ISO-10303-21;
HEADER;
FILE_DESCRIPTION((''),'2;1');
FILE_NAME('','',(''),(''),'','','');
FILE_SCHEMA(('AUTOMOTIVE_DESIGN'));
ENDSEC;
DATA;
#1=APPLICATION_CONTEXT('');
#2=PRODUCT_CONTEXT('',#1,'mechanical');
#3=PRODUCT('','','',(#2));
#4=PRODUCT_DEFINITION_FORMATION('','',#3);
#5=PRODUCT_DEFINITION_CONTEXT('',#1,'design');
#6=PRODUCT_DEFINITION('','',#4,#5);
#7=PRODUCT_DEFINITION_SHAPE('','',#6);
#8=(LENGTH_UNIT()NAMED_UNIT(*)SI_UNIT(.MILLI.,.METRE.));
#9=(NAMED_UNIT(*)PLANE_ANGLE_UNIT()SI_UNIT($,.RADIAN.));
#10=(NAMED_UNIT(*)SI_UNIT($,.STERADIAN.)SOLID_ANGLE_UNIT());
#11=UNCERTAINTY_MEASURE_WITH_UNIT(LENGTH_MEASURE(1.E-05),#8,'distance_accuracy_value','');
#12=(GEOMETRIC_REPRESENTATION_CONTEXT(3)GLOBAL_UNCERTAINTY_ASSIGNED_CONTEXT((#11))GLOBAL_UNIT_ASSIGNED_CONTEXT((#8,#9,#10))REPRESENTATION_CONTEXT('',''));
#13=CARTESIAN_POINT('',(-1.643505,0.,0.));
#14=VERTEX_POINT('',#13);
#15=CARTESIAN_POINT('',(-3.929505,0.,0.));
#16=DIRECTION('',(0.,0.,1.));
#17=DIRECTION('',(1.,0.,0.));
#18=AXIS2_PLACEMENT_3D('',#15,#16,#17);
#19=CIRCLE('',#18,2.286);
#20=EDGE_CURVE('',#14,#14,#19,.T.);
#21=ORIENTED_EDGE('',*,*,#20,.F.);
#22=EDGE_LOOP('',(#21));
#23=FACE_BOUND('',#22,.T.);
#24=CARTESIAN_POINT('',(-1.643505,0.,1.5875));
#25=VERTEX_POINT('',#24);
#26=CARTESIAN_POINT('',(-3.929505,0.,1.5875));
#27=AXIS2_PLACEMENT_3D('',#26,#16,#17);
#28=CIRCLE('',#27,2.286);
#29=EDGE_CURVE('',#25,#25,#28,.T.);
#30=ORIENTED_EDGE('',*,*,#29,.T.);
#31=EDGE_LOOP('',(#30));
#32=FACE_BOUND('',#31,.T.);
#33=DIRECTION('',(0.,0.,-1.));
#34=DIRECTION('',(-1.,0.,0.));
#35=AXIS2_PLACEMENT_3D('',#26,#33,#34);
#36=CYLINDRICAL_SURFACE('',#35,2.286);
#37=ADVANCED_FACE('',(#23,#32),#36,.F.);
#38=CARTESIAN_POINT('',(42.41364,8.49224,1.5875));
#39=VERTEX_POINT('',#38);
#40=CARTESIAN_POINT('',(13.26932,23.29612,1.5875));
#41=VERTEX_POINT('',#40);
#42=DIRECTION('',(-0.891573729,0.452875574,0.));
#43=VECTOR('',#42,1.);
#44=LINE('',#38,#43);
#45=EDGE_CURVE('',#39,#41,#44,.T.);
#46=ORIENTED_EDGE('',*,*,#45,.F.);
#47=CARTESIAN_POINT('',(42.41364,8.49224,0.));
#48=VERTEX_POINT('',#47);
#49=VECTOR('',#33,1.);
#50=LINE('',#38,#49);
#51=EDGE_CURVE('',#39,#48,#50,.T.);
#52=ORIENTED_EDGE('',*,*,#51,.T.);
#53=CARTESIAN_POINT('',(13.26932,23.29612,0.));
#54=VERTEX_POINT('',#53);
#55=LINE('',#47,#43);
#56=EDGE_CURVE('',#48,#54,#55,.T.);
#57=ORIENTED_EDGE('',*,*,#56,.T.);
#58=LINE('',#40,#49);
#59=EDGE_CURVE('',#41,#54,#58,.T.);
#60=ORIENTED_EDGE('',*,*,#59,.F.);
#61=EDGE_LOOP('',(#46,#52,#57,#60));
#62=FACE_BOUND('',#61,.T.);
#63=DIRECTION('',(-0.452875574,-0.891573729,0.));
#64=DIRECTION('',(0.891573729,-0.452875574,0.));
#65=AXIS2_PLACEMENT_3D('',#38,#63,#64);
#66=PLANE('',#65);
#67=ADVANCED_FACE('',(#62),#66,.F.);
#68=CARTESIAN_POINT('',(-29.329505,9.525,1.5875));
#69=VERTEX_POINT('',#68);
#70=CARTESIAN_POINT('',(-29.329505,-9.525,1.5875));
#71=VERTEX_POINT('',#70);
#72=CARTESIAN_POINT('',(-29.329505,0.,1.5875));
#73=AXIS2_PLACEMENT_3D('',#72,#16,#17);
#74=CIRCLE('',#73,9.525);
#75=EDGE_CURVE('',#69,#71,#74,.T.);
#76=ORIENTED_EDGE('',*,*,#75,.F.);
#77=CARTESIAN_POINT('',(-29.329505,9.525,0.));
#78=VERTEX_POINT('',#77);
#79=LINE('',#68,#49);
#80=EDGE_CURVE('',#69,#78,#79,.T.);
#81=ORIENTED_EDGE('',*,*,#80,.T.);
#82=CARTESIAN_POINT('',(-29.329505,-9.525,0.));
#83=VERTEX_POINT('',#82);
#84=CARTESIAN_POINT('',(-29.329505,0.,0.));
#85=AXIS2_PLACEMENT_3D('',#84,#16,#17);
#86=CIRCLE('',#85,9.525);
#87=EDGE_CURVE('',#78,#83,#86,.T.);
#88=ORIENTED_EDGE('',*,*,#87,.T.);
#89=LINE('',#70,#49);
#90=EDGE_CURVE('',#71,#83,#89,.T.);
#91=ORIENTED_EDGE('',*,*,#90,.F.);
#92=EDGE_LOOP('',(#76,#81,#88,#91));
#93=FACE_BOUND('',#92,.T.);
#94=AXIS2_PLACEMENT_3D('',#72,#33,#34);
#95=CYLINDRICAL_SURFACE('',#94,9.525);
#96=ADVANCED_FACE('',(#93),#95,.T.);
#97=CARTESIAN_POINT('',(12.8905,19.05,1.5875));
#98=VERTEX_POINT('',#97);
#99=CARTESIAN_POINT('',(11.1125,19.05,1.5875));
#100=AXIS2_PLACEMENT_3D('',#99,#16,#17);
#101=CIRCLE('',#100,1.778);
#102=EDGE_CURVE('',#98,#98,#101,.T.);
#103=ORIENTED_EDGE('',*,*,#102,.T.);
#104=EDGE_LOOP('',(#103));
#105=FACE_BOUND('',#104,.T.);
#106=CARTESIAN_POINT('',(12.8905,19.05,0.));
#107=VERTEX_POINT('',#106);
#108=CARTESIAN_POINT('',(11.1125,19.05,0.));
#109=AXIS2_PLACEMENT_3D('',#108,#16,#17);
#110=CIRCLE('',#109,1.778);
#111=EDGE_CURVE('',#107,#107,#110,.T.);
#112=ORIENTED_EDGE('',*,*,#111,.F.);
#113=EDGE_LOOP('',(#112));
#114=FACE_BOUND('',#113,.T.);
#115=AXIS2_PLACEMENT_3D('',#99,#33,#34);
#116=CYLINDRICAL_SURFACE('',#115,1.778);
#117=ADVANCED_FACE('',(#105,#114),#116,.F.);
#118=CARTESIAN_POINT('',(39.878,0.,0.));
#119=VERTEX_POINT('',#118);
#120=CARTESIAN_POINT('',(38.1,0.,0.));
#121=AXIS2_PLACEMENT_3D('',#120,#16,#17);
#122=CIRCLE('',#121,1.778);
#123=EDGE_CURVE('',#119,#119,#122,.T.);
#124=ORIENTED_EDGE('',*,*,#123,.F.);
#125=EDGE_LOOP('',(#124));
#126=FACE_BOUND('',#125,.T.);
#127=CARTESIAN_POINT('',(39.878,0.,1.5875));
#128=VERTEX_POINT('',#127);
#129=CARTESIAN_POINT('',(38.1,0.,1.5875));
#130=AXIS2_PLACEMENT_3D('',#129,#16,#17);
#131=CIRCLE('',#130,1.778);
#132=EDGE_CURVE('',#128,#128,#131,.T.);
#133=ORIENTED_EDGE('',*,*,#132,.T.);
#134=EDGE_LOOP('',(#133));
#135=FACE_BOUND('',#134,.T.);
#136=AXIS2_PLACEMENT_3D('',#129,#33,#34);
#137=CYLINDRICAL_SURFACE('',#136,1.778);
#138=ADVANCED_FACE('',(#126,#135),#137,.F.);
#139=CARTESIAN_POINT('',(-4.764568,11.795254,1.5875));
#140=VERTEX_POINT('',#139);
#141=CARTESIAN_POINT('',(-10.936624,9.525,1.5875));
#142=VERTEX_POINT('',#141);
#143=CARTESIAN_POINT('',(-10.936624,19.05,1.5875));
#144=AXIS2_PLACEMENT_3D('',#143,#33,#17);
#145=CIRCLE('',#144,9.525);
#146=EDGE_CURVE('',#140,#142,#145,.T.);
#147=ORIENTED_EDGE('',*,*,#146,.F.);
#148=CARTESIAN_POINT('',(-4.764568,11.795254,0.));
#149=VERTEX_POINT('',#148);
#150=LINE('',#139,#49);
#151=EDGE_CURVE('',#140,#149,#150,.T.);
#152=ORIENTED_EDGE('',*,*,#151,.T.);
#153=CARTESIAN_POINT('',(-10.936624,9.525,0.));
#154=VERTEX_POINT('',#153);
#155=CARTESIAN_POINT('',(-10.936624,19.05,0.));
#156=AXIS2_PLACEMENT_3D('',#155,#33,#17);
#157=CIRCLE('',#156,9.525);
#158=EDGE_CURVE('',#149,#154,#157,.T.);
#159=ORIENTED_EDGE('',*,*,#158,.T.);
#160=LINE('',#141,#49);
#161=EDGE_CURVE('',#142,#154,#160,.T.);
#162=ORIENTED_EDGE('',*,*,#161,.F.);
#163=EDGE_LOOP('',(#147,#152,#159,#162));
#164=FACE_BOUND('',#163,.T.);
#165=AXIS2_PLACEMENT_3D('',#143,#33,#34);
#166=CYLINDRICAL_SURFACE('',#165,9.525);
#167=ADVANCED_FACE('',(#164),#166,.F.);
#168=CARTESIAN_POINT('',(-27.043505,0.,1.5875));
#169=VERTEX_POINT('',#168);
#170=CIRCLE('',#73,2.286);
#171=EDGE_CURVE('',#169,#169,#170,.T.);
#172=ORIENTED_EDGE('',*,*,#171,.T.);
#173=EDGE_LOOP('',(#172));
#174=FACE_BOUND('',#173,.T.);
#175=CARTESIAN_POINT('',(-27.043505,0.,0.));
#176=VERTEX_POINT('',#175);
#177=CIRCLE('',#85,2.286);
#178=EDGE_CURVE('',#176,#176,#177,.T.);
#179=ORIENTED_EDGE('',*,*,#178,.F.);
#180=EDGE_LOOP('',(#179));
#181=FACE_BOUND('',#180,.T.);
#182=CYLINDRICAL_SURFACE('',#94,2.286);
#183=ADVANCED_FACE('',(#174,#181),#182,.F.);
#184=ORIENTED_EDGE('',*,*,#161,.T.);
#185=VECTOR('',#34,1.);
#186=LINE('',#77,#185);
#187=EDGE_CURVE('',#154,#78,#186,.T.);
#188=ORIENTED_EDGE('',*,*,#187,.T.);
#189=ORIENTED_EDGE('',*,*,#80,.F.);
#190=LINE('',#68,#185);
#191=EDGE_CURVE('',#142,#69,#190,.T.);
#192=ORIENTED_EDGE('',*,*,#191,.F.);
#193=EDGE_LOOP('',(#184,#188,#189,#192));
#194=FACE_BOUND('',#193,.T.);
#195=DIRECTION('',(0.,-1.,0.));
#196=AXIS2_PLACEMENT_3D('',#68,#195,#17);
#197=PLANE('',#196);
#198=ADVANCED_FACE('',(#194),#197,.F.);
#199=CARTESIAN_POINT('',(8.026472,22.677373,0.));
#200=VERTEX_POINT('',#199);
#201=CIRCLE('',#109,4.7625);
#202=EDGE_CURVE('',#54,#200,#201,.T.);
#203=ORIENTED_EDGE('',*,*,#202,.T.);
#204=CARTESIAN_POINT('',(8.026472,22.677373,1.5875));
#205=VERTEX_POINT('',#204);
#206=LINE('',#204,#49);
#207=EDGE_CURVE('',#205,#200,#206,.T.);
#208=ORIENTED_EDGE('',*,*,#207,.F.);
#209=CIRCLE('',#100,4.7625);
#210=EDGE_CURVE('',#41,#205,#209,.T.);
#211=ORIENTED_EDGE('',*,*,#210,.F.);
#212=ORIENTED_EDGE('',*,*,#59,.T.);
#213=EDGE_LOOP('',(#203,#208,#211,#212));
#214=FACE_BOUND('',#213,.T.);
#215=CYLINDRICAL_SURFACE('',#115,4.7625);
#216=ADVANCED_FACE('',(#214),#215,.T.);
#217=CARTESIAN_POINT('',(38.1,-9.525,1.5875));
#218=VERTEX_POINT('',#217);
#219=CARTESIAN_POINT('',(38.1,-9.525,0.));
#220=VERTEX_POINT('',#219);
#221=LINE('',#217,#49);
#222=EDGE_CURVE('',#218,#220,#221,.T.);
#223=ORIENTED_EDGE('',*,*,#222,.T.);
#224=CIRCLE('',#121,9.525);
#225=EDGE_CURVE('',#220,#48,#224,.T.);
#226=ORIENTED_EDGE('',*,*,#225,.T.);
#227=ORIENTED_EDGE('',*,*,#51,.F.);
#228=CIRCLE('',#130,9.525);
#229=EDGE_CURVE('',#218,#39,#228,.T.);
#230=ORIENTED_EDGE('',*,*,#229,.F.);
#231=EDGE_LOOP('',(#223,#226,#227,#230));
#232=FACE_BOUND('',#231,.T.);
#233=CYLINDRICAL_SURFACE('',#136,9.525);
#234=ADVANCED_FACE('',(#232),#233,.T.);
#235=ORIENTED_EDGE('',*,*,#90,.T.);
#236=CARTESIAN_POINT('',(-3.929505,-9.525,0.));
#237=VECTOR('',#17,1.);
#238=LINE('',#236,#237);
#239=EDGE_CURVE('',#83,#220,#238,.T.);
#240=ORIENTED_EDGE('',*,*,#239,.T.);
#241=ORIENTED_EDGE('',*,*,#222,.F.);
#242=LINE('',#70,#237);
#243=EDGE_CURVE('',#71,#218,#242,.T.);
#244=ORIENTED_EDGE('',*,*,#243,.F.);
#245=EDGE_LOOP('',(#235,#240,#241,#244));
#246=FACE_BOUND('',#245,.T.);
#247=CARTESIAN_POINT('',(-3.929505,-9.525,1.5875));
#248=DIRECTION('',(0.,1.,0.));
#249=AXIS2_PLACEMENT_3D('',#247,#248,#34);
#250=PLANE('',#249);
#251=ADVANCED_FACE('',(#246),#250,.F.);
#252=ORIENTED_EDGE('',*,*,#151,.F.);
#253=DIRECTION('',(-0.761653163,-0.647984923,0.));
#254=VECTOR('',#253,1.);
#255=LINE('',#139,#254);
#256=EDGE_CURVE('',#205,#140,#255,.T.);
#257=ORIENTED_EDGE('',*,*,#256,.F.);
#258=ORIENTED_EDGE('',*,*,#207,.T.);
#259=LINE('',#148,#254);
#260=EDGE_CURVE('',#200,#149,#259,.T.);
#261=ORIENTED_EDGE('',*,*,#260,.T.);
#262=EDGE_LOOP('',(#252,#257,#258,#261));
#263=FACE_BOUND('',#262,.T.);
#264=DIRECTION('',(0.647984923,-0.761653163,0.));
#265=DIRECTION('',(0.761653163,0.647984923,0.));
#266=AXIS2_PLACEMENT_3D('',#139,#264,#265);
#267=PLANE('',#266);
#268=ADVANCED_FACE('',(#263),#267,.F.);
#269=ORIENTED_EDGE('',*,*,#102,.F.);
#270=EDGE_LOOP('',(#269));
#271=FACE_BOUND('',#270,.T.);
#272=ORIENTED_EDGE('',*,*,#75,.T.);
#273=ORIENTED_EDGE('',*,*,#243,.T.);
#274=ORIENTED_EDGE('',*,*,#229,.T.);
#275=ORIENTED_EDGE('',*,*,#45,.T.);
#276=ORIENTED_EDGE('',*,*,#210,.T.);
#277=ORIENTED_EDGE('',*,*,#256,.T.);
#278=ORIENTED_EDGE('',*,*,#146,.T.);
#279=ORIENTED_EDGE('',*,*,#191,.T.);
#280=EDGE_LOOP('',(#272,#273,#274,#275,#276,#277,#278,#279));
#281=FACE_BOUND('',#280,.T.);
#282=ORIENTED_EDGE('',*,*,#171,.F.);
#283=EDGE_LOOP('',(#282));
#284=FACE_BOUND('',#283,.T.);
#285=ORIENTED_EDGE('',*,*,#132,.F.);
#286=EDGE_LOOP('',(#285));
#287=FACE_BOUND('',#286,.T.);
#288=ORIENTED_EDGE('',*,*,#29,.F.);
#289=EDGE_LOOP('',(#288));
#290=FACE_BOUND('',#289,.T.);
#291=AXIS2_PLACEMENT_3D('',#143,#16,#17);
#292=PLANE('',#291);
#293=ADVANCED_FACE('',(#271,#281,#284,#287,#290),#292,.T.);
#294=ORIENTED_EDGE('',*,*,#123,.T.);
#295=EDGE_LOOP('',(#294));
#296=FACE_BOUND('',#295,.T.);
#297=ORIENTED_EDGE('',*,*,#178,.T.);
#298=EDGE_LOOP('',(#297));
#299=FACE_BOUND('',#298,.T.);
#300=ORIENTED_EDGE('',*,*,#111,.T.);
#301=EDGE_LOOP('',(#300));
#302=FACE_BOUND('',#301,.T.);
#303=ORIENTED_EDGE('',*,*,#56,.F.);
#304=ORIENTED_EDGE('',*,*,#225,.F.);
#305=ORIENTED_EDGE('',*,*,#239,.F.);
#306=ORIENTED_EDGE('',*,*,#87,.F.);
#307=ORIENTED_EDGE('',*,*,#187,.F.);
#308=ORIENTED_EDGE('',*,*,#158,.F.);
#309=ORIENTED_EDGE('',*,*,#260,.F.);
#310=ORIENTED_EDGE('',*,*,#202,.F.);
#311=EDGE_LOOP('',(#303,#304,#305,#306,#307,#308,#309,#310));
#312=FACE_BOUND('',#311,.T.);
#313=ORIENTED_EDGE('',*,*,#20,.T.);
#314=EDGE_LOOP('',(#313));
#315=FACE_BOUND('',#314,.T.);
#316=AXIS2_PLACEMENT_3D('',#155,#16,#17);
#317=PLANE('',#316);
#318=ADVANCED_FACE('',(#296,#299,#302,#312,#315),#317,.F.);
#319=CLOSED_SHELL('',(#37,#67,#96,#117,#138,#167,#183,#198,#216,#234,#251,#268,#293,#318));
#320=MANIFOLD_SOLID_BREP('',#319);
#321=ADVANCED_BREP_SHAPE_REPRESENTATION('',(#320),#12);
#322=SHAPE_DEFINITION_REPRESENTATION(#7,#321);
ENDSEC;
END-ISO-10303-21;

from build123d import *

# Parameters (mm, degrees)
SKETCH1_R           = 2.286
SKETCH1_R_2         = 1.778
BOSS_EXTRUDE1_DEPTH = 1.5875


with BuildPart() as part:
    # Sketch1 → Boss-Extrude1 (new body)
    with BuildSketch(Plane.XY):
        with BuildLine():
            Line((-3.929505469, -9.525), (38.1, -9.525))
            ThreePointArc((38.1, -9.525), (47.363212424, -2.217773791), (42.413639839, 8.492239772))
            Line((42.413639839, 8.492239772), (13.269319919, 23.296119886))
            ThreePointArc((13.269319919, 23.296119886), (10.554316452, 23.779676244), (8.026471806, 22.677373187))
            Line((8.026471806, 22.677373187), (-4.764567756, 11.795253626))
            ThreePointArc((-4.764567756, 11.795253626), (-7.648450959, 10.11056254), (-10.936624143, 9.525))
            Line((-10.936624143, 9.525), (-29.329505469, 9.525))
            ThreePointArc((-29.329505469, 9.525), (-38.854505469, 0), (-29.329505469, -9.525))
            Line((-29.329505469, -9.525), (-3.929505469, -9.525))
        make_face()
        with Locations((-3.929505469, 0)):
            Circle(SKETCH1_R, mode=Mode.SUBTRACT)
        with Locations((38.1, 0)):
            Circle(SKETCH1_R_2, mode=Mode.SUBTRACT)
        with Locations((11.1125, 19.05)):
            Circle(SKETCH1_R_2, mode=Mode.SUBTRACT)
        with Locations((-29.329505469, 0)):
            Circle(SKETCH1_R, mode=Mode.SUBTRACT)
    extrude(amount=BOSS_EXTRUDE1_DEPTH)


solid = part.part
